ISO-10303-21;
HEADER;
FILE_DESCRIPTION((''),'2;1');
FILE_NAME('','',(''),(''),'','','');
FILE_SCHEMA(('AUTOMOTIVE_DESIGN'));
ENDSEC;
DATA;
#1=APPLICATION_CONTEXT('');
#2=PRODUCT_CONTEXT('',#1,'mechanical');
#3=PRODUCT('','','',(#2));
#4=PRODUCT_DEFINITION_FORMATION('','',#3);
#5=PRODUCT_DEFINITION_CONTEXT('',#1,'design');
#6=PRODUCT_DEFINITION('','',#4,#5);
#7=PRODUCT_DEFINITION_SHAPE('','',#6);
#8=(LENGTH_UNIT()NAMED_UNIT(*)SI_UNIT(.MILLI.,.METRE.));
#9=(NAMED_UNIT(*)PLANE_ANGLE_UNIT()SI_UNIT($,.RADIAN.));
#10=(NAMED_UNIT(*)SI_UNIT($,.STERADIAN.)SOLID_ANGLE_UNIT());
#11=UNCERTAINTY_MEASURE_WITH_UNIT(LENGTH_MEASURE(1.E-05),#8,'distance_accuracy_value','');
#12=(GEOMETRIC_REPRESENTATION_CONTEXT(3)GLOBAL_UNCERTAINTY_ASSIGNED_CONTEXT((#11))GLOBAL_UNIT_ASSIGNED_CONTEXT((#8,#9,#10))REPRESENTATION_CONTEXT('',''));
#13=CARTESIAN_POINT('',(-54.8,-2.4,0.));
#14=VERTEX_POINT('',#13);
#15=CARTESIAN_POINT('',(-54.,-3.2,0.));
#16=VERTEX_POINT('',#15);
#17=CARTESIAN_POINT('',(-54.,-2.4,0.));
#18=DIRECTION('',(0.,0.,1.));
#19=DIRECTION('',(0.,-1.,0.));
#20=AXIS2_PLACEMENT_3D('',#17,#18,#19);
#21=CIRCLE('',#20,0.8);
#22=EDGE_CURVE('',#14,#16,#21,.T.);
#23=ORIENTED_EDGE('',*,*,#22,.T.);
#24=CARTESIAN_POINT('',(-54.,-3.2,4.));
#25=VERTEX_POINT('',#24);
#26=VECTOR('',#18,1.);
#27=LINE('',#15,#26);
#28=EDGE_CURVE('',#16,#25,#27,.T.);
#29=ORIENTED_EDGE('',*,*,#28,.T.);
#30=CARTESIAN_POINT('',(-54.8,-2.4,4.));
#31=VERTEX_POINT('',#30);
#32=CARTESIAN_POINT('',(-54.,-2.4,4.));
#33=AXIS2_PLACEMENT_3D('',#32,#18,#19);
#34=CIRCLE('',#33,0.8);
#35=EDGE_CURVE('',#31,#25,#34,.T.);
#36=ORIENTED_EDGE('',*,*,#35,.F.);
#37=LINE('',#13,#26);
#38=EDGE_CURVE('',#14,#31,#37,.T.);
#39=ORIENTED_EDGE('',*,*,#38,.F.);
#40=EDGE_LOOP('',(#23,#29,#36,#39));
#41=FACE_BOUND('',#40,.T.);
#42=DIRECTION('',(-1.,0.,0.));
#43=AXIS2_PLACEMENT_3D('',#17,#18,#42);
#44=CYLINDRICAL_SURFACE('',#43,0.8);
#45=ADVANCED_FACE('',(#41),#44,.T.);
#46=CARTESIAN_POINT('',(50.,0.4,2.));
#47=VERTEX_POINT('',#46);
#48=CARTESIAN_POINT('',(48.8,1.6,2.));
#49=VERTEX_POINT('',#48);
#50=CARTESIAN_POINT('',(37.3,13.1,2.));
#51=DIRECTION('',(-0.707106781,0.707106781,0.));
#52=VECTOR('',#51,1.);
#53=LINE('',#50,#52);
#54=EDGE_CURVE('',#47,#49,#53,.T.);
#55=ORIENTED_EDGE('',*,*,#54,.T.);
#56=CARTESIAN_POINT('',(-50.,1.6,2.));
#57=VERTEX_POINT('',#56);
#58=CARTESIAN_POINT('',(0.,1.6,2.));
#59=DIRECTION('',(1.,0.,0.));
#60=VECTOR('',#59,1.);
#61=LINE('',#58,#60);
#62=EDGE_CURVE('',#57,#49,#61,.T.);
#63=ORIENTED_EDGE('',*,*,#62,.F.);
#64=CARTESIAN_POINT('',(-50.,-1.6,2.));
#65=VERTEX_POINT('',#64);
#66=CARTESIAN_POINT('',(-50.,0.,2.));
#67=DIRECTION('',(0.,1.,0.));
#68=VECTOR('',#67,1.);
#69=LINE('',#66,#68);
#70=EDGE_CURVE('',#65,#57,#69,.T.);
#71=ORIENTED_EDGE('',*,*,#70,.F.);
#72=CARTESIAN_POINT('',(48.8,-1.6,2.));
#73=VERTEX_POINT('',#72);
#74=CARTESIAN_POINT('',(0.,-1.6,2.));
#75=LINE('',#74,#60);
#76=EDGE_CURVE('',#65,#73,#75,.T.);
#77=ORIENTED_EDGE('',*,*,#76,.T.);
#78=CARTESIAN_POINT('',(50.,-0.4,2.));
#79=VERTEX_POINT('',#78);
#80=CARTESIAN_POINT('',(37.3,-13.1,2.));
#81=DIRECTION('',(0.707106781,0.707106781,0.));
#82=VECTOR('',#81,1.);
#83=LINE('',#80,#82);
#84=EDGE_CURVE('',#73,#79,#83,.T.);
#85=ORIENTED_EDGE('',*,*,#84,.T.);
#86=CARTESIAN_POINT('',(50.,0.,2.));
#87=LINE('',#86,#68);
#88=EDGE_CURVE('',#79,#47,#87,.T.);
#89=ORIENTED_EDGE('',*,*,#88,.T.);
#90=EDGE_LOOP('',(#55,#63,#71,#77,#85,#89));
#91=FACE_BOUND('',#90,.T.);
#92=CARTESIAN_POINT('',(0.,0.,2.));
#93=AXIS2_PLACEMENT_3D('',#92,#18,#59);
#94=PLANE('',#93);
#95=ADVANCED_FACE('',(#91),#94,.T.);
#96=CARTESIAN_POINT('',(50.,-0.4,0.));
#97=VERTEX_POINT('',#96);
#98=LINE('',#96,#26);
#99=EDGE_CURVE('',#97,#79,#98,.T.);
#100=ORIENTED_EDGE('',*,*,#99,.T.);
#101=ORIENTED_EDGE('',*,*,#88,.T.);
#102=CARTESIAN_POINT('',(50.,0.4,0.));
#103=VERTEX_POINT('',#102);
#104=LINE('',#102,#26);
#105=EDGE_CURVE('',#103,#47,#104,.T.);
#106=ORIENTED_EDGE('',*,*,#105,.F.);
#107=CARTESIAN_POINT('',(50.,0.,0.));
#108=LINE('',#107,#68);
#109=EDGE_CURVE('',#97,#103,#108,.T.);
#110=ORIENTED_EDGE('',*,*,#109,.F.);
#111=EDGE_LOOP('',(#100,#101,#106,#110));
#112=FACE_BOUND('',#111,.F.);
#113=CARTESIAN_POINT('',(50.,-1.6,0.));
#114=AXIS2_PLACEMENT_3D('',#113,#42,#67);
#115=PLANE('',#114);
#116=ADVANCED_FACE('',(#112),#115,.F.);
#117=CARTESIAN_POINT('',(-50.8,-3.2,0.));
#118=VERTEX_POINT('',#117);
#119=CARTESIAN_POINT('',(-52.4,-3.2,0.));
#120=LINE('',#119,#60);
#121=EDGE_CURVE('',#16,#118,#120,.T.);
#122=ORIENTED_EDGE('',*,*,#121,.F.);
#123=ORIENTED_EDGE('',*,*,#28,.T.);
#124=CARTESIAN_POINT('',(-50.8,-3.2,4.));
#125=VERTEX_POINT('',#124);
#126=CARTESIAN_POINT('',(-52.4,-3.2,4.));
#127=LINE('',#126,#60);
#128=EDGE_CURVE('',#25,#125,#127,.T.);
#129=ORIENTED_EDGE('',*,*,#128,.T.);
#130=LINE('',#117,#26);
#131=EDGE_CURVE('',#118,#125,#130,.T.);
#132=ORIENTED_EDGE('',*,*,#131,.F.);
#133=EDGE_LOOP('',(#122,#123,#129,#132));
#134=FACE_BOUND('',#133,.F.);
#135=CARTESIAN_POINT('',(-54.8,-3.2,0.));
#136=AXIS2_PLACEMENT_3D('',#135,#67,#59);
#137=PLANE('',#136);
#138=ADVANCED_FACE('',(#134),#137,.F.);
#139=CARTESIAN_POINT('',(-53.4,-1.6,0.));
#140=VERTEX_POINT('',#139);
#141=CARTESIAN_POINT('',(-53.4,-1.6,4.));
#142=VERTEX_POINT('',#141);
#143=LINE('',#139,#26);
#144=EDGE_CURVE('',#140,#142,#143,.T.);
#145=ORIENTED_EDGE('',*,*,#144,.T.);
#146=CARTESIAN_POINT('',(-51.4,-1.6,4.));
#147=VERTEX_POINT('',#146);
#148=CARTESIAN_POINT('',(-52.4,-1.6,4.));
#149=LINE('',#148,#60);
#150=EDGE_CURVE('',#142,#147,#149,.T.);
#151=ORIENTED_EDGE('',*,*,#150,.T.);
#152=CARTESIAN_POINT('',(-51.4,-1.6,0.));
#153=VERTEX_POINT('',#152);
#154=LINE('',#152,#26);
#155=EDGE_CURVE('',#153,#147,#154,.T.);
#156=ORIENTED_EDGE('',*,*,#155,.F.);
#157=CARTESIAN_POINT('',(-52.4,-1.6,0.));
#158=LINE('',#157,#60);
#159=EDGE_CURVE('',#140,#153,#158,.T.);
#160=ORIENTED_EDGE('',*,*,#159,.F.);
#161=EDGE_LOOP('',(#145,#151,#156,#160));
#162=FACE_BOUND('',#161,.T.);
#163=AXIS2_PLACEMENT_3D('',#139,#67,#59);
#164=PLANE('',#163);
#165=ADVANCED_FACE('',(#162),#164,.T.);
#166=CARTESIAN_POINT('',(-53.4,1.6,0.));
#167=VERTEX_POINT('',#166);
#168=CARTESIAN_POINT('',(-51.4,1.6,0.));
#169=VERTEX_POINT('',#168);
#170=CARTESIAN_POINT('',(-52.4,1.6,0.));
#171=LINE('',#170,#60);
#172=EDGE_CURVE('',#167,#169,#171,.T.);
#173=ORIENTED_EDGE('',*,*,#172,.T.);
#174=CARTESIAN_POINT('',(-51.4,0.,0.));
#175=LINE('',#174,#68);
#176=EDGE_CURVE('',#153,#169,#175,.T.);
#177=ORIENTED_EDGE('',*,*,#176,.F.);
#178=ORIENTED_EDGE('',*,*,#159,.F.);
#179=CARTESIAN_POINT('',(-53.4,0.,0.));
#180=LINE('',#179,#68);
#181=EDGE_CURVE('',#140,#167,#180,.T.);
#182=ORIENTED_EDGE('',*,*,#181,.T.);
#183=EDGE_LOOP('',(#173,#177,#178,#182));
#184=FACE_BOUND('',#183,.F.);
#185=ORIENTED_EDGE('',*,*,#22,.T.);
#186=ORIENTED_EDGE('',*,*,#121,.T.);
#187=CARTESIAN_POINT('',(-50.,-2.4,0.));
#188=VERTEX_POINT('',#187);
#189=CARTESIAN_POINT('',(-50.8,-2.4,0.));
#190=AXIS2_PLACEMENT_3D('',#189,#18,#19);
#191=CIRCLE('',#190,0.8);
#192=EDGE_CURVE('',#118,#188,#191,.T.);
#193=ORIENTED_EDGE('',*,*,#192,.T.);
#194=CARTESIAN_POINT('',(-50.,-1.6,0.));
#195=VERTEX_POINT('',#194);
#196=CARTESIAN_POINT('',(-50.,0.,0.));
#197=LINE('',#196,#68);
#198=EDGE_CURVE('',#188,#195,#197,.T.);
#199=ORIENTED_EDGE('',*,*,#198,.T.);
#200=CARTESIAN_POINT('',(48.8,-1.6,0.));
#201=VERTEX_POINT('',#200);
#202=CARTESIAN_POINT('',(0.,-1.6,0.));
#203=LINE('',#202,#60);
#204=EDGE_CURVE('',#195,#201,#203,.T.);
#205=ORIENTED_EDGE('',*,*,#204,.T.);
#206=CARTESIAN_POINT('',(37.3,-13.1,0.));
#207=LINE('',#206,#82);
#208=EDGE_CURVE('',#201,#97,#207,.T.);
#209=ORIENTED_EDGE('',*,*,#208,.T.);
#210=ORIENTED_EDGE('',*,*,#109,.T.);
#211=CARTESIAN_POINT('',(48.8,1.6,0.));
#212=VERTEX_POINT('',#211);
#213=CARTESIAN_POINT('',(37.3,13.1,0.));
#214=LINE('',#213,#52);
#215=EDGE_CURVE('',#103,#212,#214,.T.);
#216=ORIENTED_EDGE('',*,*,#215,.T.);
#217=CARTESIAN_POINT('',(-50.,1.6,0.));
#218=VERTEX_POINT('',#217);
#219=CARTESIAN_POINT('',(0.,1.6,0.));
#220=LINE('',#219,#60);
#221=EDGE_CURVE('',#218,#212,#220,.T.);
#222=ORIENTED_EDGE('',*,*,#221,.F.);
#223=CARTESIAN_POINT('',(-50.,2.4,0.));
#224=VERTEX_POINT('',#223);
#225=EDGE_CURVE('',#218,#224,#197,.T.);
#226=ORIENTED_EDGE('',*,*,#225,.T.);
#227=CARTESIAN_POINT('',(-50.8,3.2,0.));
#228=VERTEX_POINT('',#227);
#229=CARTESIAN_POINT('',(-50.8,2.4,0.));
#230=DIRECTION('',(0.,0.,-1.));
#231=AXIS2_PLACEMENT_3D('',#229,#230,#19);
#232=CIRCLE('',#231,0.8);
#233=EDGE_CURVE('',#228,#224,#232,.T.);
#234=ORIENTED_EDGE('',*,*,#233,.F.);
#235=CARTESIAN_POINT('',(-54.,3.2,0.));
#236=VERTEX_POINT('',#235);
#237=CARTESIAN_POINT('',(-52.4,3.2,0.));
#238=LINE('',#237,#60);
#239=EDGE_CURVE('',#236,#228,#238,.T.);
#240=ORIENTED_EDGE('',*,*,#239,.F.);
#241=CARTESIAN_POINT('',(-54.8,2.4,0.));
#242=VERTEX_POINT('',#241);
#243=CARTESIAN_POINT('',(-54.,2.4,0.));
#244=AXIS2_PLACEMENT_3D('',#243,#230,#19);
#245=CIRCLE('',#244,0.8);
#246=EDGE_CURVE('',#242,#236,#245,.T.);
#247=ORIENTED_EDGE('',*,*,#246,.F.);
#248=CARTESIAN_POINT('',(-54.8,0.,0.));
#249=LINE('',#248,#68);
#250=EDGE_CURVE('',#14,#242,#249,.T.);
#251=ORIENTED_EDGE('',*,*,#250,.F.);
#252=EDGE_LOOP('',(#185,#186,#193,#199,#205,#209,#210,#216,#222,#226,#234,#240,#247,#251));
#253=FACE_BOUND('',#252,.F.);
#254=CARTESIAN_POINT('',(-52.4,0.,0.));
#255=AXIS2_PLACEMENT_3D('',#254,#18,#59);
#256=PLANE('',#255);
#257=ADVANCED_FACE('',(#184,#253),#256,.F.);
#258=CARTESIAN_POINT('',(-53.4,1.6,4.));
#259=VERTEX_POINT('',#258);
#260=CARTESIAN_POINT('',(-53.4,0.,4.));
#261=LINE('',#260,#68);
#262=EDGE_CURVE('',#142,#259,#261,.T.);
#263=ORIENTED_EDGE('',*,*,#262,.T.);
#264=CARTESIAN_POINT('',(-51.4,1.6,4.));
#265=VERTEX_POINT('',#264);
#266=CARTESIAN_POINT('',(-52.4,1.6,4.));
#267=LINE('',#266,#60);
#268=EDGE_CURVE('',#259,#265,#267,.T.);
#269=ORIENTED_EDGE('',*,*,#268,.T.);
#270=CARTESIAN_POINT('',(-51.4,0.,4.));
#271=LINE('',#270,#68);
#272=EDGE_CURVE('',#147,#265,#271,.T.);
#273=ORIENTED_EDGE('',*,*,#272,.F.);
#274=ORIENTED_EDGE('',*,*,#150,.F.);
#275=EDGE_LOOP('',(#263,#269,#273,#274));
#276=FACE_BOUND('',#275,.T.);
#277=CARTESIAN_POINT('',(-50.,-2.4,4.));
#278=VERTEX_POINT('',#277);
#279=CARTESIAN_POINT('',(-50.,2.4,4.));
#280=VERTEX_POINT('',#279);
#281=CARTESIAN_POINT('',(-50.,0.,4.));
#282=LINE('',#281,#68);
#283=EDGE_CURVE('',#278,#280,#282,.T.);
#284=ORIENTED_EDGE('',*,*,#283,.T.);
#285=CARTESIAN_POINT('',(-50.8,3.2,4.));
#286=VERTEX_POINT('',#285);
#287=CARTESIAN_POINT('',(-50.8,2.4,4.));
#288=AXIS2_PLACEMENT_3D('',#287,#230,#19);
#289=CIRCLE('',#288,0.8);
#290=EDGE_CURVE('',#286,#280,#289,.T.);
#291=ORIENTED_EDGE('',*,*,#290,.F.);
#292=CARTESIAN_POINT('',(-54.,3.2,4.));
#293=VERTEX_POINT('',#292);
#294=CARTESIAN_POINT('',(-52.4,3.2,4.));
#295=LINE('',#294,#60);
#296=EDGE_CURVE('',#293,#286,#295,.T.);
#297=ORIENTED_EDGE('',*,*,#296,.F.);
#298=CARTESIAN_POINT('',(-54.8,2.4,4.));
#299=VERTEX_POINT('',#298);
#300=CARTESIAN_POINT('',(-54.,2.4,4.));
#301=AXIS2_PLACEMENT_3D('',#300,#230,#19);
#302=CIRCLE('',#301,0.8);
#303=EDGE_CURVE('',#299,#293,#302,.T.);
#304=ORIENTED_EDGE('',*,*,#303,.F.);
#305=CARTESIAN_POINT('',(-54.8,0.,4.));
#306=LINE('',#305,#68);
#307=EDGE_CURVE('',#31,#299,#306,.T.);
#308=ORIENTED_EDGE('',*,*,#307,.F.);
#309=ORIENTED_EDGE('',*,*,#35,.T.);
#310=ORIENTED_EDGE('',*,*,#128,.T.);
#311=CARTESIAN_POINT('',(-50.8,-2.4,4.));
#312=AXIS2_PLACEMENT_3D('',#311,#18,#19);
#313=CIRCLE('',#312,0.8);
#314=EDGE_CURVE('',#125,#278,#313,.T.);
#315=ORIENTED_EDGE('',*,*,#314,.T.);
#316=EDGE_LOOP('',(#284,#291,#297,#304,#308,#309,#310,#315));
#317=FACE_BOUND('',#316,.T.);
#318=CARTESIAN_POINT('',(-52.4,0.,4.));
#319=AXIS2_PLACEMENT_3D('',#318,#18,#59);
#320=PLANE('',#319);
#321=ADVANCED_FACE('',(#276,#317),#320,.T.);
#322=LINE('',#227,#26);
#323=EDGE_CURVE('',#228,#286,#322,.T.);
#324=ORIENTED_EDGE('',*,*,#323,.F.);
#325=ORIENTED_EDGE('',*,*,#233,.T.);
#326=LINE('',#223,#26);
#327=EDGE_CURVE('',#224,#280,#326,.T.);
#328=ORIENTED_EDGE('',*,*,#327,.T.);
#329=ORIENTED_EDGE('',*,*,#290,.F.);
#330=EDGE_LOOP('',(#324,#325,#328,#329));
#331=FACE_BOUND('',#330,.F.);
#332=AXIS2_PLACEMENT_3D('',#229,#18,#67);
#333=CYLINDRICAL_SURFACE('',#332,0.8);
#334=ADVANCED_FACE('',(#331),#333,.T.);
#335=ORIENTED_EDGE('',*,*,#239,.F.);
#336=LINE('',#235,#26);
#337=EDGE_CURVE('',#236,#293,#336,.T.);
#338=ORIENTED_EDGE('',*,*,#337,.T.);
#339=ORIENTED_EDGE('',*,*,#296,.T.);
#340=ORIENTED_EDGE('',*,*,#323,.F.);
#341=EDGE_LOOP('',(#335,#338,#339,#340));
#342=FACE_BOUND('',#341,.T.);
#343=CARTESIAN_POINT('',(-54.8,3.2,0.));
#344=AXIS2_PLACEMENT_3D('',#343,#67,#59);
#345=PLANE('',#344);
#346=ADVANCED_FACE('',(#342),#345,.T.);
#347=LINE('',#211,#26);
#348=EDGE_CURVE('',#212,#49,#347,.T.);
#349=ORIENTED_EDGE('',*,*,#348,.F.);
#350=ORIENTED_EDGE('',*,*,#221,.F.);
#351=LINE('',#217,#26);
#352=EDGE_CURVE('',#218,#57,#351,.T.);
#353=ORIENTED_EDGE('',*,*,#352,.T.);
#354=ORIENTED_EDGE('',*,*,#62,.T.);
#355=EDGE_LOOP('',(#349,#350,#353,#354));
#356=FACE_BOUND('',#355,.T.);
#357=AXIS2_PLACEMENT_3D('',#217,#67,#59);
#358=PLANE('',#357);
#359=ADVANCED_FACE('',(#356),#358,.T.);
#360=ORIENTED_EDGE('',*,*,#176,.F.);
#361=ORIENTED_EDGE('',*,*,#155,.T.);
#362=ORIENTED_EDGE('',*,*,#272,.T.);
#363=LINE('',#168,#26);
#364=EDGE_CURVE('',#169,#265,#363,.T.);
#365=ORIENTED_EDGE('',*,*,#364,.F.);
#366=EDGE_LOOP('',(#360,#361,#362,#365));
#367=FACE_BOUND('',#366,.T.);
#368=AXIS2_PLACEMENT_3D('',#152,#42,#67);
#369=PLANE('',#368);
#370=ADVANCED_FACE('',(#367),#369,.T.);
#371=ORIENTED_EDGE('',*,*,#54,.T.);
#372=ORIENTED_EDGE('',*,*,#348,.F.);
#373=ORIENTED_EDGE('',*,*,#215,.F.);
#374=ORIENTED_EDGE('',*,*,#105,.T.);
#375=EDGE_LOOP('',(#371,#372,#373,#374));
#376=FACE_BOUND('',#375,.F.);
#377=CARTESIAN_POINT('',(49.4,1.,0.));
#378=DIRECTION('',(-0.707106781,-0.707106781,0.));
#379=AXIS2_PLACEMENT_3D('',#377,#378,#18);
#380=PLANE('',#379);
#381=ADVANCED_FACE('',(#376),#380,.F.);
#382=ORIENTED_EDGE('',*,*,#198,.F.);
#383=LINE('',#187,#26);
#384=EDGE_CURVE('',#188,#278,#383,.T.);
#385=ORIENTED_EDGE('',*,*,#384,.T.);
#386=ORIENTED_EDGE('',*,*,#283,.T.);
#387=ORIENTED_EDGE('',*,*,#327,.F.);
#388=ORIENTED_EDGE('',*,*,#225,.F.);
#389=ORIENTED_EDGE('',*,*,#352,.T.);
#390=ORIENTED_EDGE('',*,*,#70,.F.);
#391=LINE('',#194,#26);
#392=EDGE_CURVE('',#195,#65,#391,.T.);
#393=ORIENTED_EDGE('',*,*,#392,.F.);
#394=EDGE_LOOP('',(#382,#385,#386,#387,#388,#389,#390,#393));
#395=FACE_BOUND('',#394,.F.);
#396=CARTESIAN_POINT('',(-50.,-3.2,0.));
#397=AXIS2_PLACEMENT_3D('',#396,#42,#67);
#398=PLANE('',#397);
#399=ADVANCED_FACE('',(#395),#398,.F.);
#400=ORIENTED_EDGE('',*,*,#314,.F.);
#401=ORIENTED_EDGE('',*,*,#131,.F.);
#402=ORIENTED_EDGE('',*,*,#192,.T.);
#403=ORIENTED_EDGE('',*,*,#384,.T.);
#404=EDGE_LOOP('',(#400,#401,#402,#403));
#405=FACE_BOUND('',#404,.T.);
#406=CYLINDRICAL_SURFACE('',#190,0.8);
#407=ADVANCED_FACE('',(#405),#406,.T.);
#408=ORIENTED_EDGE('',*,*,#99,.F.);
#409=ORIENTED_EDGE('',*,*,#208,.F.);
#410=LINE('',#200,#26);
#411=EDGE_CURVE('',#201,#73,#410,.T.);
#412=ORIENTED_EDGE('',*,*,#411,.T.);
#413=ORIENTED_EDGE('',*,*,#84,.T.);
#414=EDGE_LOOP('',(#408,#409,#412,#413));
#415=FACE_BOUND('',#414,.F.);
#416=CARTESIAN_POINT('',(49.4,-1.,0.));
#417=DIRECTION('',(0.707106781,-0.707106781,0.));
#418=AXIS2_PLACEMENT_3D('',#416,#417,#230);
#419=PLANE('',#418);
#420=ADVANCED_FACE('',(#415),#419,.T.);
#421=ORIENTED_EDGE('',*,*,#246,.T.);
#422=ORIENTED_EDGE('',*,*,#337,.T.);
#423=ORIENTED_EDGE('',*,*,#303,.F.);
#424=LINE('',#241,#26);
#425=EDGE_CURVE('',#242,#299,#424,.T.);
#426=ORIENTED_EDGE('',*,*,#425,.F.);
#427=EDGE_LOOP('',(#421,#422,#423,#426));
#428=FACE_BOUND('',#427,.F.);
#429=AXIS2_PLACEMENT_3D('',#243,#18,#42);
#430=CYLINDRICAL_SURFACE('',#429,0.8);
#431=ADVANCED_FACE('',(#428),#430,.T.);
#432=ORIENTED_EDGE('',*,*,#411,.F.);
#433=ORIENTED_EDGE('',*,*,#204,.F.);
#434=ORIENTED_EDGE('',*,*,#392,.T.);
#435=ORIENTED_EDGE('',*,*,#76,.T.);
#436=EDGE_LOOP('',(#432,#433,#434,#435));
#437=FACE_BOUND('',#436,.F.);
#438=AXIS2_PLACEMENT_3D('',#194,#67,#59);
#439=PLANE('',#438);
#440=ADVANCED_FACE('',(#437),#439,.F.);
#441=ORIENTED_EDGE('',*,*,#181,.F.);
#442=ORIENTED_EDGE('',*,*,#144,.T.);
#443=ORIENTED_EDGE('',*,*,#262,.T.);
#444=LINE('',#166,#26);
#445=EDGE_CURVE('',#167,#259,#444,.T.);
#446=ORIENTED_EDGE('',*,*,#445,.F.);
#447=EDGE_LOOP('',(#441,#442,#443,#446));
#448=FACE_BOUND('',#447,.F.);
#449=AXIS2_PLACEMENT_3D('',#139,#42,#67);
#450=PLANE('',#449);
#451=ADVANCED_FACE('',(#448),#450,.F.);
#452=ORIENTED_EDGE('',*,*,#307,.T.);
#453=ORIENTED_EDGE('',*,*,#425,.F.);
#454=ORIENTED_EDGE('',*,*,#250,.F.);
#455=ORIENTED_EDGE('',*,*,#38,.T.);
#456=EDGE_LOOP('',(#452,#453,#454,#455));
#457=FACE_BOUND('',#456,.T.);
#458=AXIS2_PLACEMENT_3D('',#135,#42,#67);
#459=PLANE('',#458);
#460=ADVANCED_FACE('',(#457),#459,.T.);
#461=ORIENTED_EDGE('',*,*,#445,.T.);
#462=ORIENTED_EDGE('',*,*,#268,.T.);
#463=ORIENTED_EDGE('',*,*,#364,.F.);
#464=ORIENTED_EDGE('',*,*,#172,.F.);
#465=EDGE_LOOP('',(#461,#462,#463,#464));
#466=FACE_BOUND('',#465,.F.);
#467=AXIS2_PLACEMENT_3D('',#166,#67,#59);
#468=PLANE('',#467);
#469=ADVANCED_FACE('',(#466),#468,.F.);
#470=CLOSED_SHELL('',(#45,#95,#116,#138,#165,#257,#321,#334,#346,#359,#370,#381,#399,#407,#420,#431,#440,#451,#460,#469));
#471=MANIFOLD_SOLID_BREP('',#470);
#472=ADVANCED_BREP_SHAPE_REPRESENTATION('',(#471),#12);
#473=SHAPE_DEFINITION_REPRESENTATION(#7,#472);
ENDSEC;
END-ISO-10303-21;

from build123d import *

# Parameters (mm, degrees)
F0_W     = 100
F0_H     = 3.2
F1_DEPTH = 2
F2_SIZE  = 1.2
F3_W     = 4.8
F3_H     = 6.4
F3_W_2   = 2
F3_H_2   = 3.2
F4_DEPTH = 4
F5_R     = 0.8


with BuildPart() as f1:
    # F0 (on Top) → F1 (new body)
    with BuildSketch(Plane.XY):
        Rectangle(F0_W, F0_H)
    extrude(amount=F1_DEPTH)

    # F2
    f2_edges = [f1.edges().sort_by_distance(p)[0] for p in [
        (50, 1.6, 1),
        (50, -1.6, 1),
    ]]
    chamfer(f2_edges, length=F2_SIZE)

    # F3 (on Top) → F4 (join)
    with BuildSketch(Plane.XY):
        with Locations((-52.4, 0)):
            Rectangle(F3_W, F3_H)
        with Locations((-52.4, 0)):
            Rectangle(F3_W_2, F3_H_2, mode=Mode.SUBTRACT)
    extrude(amount=F4_DEPTH)

    # F5
    f5_edges = [f1.edges().sort_by_distance(p)[0] for p in [
        (-54.8, 3.2, 2),
        (-50, 3.2, 2),
        (-50, -3.2, 2),
        (-54.8, -3.2, 2),
    ]]
    fillet(f5_edges, radius=F5_R)


solid = f1.part
